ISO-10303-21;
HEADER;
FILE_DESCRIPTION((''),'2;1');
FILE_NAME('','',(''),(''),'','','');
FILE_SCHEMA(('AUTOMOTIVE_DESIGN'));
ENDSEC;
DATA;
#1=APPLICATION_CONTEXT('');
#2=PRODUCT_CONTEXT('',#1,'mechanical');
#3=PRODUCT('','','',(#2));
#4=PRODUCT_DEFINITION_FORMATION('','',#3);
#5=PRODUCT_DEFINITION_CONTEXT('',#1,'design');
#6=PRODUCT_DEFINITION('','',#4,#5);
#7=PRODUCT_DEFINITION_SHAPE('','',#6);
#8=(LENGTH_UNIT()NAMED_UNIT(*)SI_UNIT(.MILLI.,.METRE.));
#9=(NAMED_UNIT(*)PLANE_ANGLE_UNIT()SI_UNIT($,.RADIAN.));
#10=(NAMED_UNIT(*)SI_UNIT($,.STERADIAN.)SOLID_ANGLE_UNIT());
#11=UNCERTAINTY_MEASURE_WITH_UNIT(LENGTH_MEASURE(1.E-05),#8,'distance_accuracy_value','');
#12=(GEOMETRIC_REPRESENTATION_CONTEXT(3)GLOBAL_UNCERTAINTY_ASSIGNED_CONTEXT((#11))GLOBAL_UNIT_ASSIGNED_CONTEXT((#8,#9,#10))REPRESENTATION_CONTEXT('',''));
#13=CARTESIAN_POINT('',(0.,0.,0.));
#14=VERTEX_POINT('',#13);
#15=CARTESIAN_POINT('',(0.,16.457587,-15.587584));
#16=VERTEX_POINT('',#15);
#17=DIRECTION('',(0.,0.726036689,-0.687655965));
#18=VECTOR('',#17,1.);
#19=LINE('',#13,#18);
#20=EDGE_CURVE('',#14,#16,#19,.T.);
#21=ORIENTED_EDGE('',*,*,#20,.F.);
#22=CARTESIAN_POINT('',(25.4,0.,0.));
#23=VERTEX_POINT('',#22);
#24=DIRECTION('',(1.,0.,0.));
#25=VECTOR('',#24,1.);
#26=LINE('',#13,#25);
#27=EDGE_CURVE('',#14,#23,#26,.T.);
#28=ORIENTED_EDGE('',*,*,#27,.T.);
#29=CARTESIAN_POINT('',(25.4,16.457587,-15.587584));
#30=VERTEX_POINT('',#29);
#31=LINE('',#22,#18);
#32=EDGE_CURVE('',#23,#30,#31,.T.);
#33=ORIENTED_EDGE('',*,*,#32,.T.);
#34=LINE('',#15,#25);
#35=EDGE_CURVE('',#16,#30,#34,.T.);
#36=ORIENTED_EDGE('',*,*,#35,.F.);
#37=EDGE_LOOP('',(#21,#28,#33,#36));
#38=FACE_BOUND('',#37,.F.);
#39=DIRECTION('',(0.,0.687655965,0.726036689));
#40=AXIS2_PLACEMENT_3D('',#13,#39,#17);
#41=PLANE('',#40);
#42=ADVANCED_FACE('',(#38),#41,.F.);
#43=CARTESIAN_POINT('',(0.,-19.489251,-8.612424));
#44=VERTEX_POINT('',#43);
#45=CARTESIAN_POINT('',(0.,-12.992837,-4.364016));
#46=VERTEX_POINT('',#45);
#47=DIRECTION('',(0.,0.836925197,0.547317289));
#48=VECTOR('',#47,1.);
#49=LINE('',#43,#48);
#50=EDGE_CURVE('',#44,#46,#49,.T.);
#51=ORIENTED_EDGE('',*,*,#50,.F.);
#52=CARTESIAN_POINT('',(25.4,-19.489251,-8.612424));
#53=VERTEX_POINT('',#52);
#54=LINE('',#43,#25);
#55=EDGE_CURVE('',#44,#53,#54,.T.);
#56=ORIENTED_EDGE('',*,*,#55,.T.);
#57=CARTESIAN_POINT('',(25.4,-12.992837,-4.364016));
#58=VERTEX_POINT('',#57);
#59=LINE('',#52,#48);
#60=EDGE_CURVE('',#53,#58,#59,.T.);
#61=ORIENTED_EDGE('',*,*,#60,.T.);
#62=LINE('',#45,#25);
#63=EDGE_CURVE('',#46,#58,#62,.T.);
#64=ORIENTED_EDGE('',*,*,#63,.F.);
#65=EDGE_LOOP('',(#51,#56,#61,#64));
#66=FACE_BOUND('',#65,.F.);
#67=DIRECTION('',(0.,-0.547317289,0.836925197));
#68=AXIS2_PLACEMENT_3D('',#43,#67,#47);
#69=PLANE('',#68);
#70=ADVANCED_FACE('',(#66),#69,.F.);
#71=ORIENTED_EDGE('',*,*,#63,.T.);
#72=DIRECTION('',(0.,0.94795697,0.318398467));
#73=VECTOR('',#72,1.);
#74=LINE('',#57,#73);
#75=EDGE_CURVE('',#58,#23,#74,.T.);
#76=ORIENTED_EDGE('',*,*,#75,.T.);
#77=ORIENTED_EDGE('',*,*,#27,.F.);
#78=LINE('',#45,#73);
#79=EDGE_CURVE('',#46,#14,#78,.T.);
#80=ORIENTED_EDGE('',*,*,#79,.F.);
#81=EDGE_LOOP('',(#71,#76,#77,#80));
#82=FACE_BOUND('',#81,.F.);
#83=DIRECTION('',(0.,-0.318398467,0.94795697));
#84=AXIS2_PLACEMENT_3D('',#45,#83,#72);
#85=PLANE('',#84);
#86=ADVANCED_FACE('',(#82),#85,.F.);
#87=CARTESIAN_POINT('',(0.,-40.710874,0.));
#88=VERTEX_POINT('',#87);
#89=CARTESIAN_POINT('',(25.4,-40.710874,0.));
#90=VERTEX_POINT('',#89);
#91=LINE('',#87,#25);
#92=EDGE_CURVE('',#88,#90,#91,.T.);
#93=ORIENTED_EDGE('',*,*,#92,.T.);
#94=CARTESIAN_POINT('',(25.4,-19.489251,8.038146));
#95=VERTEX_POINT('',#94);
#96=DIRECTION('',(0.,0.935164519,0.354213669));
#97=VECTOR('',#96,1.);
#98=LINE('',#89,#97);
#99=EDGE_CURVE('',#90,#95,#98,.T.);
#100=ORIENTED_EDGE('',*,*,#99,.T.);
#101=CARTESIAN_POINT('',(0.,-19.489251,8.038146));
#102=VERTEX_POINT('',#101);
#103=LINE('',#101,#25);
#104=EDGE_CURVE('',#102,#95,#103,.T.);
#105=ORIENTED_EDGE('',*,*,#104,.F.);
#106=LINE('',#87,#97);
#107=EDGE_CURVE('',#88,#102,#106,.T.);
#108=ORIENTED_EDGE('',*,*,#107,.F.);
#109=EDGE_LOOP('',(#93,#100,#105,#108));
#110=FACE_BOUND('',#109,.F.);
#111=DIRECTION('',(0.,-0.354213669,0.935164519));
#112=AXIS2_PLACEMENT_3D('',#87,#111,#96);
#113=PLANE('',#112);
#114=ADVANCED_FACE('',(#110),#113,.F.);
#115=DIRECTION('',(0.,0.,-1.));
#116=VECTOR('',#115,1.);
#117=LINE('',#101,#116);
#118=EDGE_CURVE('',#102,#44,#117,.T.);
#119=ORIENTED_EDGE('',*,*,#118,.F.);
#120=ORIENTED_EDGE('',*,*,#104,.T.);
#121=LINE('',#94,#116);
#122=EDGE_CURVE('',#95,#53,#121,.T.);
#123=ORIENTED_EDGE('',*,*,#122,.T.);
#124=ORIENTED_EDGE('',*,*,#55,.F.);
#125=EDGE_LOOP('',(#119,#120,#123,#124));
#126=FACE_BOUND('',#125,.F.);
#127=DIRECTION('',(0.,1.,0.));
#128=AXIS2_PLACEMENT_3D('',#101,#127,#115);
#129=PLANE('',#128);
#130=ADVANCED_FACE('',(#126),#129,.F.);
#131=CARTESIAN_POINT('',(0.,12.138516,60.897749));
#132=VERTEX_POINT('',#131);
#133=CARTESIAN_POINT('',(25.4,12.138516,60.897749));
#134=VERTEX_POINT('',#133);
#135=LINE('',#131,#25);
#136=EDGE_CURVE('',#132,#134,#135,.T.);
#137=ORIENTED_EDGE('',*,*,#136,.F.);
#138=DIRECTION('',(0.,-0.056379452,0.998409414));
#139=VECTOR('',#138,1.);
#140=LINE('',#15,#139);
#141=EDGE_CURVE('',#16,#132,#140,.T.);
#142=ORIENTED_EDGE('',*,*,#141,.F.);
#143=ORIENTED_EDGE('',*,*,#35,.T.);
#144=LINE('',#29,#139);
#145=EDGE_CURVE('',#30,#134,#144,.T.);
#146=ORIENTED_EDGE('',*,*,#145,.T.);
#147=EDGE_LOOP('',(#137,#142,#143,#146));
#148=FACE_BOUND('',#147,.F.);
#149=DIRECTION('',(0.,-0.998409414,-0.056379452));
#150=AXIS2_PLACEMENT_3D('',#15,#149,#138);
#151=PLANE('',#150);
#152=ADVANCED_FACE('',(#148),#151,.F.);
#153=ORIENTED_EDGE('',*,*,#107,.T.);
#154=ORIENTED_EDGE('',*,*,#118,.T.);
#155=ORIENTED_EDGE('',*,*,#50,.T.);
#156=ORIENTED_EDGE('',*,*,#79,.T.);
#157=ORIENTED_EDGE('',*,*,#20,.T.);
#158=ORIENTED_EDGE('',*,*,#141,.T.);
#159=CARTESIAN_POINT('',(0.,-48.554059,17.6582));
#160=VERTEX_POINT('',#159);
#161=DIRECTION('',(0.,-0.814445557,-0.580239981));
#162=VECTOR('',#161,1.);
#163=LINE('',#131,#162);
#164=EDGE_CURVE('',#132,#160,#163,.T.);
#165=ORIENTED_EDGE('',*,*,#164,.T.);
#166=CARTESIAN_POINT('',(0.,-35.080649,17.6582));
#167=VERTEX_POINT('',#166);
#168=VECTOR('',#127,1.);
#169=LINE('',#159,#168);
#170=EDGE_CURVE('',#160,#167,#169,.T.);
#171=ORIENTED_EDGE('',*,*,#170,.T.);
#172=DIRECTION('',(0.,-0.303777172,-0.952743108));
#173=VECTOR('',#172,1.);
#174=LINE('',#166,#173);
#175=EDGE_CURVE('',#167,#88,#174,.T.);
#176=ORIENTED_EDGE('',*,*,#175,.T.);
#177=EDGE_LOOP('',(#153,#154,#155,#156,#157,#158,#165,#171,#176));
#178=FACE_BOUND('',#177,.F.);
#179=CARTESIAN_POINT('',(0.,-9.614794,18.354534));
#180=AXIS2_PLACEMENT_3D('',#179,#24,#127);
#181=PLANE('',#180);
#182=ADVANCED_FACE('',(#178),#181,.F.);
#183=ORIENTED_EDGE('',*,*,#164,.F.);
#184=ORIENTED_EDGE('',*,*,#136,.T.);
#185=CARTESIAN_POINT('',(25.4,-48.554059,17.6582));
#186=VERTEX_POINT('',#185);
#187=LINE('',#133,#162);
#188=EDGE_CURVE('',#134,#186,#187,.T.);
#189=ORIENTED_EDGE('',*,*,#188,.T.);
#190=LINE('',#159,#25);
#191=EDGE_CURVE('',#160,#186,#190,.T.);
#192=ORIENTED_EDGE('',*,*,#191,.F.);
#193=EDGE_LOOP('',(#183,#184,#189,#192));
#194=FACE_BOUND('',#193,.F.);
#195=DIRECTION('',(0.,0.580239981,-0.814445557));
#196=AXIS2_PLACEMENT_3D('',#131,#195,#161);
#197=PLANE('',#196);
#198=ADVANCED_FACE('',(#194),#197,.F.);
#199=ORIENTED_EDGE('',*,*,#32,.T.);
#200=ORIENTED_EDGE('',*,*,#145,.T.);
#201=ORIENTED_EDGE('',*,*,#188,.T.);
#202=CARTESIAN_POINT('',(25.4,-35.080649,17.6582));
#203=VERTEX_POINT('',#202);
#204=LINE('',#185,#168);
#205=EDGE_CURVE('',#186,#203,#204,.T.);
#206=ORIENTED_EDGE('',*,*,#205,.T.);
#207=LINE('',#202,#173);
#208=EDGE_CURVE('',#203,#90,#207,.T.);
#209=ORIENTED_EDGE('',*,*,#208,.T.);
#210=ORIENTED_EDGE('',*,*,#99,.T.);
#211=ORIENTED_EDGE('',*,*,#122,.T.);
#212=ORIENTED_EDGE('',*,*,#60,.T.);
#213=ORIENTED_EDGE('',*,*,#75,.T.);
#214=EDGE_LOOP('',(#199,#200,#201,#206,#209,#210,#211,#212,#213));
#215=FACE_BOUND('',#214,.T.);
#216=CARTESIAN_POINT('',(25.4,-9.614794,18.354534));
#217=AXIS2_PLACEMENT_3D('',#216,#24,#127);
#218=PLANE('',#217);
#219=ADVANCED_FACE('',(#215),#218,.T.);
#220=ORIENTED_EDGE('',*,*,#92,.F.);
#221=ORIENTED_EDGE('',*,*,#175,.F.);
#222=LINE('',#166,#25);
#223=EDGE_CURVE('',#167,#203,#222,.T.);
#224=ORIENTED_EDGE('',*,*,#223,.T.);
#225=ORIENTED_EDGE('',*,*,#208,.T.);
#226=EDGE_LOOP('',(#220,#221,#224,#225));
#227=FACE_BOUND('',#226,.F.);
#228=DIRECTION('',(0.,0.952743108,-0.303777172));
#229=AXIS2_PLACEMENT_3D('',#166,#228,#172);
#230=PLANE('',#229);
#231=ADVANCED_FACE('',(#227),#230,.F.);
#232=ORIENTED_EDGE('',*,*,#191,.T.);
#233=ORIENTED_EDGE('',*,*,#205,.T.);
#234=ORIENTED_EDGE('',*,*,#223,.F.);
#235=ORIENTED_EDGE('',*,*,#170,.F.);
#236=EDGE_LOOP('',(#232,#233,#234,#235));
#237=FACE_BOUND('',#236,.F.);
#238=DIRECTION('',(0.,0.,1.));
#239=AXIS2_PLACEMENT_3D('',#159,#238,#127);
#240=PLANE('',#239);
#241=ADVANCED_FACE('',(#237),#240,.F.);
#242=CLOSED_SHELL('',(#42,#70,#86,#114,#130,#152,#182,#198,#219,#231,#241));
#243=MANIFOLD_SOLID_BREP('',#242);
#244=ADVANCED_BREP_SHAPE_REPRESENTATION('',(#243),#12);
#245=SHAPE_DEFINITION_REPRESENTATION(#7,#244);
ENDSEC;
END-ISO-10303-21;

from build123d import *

# Parameters (mm, degrees)
F1_DEPTH = 25.4


with BuildPart() as f1:
    # F0 (on Right) → F1 (new body)
    with BuildSketch(Plane.YZ):
        Polygon((16.457587, -15.587584), (12.138516, 60.897749), (-48.554059, 17.6582), (-35.080649, 17.6582), (-40.710874, 0), (-19.489251, 8.038146), (-19.489251, -8.612424), (-12.992837, -4.364016), (0, 0), align=None)
    extrude(amount=F1_DEPTH)


solid = f1.part
